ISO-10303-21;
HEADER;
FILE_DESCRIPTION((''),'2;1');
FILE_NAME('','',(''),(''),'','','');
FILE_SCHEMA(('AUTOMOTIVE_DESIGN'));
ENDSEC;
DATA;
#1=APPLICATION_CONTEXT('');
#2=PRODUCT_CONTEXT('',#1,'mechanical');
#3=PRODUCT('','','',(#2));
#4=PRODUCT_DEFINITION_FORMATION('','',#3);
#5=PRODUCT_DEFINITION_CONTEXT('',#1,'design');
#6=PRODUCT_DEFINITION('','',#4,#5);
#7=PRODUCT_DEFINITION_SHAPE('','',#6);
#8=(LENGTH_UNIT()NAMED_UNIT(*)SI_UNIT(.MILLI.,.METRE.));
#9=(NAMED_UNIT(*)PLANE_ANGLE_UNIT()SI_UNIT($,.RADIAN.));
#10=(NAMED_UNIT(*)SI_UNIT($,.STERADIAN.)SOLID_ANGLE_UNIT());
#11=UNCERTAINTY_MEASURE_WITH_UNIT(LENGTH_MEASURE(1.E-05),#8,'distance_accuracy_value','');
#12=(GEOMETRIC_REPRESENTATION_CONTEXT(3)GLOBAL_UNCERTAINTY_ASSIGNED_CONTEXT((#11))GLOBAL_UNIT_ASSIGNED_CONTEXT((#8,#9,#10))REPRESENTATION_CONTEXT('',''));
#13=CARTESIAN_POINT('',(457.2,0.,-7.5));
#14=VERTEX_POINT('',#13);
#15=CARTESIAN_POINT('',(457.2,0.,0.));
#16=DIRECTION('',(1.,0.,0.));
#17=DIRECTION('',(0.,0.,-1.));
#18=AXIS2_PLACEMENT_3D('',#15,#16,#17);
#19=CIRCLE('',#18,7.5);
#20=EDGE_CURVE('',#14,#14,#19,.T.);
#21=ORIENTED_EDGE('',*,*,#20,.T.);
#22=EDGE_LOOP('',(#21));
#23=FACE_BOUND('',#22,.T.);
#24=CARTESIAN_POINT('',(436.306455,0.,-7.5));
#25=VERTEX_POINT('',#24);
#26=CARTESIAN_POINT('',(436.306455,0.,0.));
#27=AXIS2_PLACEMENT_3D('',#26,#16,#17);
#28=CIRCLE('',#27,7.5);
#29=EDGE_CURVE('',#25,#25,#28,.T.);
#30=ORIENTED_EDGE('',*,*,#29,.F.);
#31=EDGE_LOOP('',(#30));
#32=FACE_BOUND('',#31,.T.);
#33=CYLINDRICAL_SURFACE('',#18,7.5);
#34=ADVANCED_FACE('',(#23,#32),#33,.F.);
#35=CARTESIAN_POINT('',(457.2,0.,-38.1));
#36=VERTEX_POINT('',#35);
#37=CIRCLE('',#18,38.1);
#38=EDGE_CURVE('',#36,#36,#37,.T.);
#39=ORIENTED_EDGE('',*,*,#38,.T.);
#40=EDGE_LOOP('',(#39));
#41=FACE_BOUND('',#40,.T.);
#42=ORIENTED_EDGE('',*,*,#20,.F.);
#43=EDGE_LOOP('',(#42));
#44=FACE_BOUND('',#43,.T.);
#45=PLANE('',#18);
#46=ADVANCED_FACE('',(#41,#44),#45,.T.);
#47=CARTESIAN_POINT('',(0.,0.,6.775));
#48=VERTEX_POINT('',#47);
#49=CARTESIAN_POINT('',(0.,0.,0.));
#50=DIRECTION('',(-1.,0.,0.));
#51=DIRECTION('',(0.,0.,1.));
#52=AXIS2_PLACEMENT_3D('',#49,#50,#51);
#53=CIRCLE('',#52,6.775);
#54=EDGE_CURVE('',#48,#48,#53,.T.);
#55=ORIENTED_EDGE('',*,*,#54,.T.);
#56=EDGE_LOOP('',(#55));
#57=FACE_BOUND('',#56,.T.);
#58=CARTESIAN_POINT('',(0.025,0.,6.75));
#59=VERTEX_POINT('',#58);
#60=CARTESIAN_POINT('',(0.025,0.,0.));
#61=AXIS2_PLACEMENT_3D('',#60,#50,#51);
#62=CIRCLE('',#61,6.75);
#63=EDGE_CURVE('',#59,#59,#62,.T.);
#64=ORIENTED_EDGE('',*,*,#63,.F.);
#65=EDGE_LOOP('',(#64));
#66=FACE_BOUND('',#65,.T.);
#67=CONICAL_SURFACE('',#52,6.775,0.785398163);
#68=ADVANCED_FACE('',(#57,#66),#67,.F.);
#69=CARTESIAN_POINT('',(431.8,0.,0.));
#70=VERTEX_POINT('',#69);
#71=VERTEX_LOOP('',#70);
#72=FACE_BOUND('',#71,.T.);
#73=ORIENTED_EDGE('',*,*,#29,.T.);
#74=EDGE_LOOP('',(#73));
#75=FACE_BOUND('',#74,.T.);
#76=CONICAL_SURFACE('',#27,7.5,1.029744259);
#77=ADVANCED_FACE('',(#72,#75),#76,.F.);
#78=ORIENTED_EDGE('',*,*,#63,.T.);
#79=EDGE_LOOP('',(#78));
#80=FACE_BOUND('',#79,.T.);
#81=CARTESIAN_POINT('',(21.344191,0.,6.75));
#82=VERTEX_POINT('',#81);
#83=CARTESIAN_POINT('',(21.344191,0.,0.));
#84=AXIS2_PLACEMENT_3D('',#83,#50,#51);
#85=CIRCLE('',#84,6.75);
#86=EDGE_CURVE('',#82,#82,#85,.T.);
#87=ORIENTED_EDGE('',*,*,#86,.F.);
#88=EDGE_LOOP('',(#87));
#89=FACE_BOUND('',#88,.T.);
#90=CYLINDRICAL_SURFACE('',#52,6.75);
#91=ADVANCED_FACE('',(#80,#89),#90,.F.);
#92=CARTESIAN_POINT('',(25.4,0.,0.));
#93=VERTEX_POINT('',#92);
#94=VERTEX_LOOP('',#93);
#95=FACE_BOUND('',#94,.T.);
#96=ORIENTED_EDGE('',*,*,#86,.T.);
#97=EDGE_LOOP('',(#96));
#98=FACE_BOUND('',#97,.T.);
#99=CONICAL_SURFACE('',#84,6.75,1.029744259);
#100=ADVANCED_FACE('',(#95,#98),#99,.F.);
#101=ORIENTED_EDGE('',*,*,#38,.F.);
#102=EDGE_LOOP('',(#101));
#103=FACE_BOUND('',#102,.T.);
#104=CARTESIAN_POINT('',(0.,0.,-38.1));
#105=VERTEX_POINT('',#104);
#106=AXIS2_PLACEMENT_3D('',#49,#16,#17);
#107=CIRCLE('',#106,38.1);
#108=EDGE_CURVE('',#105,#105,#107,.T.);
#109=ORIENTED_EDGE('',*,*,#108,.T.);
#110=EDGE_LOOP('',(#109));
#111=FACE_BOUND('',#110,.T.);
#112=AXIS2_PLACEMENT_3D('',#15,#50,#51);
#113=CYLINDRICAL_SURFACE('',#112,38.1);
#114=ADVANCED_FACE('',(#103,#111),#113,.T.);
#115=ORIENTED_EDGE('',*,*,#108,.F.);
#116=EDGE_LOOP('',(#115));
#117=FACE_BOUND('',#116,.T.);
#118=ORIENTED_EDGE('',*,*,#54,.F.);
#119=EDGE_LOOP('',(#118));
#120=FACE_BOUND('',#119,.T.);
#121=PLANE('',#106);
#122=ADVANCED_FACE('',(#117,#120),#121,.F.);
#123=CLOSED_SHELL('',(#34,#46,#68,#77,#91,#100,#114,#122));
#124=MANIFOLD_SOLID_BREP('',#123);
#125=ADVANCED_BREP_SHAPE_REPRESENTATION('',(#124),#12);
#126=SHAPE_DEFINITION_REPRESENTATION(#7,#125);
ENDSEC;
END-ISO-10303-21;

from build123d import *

# Parameters (mm, degrees)
SKETCH1_R                       = 38.1
BOSS_EXTRUDE1_DEPTH             = 457.2
M12_CLEARANCE_HOLE1_D           = 13.5
M12_CLEARANCE_HOLE1_DEPTH       = 21.344190822
M12_CLEARANCE_HOLE1_CSINK_D     = 13.55
M12_CLEARANCE_HOLE1_CSINK_ANGLE = 90
M12_CLEARANCE_HOLE1_TIP         = 4.055809178
M12_CLEARANCE_HOLE2_D           = 15
M12_CLEARANCE_HOLE2_DEPTH       = 20.893545357
M12_CLEARANCE_HOLE2_TIP         = 4.506454643


with BuildPart() as part:
    # Sketch1 → Boss-Extrude1 (new body)
    with BuildSketch(Plane(origin=(0, 0, 0), x_dir=(0, 0, -1), z_dir=(1, 0, 0))):
        Circle(SKETCH1_R)
    extrude(amount=BOSS_EXTRUDE1_DEPTH)

    # M12 Clearance Hole1
    with Locations(Plane.ZY):
        with Locations((0, 0)):
            CounterSinkHole(M12_CLEARANCE_HOLE1_D / 2, M12_CLEARANCE_HOLE1_CSINK_D / 2, depth=M12_CLEARANCE_HOLE1_DEPTH, counter_sink_angle=M12_CLEARANCE_HOLE1_CSINK_ANGLE)
            with Locations((0, 0, -(M12_CLEARANCE_HOLE1_DEPTH + M12_CLEARANCE_HOLE1_TIP / 2))):  # 118° drill point
                Cone(0, M12_CLEARANCE_HOLE1_D / 2, M12_CLEARANCE_HOLE1_TIP, mode=Mode.SUBTRACT)

    # M12 Clearance Hole2
    with Locations(Plane(origin=(457.2, 0, 0), x_dir=(0, 0, -1), z_dir=(1, 0, 0))):
        with Locations((0, 0)):
            Hole(M12_CLEARANCE_HOLE2_D / 2, depth=M12_CLEARANCE_HOLE2_DEPTH)
            with Locations((0, 0, -(M12_CLEARANCE_HOLE2_DEPTH + M12_CLEARANCE_HOLE2_TIP / 2))):  # 118° drill point
                Cone(0, M12_CLEARANCE_HOLE2_D / 2, M12_CLEARANCE_HOLE2_TIP, mode=Mode.SUBTRACT)


solid = part.part
